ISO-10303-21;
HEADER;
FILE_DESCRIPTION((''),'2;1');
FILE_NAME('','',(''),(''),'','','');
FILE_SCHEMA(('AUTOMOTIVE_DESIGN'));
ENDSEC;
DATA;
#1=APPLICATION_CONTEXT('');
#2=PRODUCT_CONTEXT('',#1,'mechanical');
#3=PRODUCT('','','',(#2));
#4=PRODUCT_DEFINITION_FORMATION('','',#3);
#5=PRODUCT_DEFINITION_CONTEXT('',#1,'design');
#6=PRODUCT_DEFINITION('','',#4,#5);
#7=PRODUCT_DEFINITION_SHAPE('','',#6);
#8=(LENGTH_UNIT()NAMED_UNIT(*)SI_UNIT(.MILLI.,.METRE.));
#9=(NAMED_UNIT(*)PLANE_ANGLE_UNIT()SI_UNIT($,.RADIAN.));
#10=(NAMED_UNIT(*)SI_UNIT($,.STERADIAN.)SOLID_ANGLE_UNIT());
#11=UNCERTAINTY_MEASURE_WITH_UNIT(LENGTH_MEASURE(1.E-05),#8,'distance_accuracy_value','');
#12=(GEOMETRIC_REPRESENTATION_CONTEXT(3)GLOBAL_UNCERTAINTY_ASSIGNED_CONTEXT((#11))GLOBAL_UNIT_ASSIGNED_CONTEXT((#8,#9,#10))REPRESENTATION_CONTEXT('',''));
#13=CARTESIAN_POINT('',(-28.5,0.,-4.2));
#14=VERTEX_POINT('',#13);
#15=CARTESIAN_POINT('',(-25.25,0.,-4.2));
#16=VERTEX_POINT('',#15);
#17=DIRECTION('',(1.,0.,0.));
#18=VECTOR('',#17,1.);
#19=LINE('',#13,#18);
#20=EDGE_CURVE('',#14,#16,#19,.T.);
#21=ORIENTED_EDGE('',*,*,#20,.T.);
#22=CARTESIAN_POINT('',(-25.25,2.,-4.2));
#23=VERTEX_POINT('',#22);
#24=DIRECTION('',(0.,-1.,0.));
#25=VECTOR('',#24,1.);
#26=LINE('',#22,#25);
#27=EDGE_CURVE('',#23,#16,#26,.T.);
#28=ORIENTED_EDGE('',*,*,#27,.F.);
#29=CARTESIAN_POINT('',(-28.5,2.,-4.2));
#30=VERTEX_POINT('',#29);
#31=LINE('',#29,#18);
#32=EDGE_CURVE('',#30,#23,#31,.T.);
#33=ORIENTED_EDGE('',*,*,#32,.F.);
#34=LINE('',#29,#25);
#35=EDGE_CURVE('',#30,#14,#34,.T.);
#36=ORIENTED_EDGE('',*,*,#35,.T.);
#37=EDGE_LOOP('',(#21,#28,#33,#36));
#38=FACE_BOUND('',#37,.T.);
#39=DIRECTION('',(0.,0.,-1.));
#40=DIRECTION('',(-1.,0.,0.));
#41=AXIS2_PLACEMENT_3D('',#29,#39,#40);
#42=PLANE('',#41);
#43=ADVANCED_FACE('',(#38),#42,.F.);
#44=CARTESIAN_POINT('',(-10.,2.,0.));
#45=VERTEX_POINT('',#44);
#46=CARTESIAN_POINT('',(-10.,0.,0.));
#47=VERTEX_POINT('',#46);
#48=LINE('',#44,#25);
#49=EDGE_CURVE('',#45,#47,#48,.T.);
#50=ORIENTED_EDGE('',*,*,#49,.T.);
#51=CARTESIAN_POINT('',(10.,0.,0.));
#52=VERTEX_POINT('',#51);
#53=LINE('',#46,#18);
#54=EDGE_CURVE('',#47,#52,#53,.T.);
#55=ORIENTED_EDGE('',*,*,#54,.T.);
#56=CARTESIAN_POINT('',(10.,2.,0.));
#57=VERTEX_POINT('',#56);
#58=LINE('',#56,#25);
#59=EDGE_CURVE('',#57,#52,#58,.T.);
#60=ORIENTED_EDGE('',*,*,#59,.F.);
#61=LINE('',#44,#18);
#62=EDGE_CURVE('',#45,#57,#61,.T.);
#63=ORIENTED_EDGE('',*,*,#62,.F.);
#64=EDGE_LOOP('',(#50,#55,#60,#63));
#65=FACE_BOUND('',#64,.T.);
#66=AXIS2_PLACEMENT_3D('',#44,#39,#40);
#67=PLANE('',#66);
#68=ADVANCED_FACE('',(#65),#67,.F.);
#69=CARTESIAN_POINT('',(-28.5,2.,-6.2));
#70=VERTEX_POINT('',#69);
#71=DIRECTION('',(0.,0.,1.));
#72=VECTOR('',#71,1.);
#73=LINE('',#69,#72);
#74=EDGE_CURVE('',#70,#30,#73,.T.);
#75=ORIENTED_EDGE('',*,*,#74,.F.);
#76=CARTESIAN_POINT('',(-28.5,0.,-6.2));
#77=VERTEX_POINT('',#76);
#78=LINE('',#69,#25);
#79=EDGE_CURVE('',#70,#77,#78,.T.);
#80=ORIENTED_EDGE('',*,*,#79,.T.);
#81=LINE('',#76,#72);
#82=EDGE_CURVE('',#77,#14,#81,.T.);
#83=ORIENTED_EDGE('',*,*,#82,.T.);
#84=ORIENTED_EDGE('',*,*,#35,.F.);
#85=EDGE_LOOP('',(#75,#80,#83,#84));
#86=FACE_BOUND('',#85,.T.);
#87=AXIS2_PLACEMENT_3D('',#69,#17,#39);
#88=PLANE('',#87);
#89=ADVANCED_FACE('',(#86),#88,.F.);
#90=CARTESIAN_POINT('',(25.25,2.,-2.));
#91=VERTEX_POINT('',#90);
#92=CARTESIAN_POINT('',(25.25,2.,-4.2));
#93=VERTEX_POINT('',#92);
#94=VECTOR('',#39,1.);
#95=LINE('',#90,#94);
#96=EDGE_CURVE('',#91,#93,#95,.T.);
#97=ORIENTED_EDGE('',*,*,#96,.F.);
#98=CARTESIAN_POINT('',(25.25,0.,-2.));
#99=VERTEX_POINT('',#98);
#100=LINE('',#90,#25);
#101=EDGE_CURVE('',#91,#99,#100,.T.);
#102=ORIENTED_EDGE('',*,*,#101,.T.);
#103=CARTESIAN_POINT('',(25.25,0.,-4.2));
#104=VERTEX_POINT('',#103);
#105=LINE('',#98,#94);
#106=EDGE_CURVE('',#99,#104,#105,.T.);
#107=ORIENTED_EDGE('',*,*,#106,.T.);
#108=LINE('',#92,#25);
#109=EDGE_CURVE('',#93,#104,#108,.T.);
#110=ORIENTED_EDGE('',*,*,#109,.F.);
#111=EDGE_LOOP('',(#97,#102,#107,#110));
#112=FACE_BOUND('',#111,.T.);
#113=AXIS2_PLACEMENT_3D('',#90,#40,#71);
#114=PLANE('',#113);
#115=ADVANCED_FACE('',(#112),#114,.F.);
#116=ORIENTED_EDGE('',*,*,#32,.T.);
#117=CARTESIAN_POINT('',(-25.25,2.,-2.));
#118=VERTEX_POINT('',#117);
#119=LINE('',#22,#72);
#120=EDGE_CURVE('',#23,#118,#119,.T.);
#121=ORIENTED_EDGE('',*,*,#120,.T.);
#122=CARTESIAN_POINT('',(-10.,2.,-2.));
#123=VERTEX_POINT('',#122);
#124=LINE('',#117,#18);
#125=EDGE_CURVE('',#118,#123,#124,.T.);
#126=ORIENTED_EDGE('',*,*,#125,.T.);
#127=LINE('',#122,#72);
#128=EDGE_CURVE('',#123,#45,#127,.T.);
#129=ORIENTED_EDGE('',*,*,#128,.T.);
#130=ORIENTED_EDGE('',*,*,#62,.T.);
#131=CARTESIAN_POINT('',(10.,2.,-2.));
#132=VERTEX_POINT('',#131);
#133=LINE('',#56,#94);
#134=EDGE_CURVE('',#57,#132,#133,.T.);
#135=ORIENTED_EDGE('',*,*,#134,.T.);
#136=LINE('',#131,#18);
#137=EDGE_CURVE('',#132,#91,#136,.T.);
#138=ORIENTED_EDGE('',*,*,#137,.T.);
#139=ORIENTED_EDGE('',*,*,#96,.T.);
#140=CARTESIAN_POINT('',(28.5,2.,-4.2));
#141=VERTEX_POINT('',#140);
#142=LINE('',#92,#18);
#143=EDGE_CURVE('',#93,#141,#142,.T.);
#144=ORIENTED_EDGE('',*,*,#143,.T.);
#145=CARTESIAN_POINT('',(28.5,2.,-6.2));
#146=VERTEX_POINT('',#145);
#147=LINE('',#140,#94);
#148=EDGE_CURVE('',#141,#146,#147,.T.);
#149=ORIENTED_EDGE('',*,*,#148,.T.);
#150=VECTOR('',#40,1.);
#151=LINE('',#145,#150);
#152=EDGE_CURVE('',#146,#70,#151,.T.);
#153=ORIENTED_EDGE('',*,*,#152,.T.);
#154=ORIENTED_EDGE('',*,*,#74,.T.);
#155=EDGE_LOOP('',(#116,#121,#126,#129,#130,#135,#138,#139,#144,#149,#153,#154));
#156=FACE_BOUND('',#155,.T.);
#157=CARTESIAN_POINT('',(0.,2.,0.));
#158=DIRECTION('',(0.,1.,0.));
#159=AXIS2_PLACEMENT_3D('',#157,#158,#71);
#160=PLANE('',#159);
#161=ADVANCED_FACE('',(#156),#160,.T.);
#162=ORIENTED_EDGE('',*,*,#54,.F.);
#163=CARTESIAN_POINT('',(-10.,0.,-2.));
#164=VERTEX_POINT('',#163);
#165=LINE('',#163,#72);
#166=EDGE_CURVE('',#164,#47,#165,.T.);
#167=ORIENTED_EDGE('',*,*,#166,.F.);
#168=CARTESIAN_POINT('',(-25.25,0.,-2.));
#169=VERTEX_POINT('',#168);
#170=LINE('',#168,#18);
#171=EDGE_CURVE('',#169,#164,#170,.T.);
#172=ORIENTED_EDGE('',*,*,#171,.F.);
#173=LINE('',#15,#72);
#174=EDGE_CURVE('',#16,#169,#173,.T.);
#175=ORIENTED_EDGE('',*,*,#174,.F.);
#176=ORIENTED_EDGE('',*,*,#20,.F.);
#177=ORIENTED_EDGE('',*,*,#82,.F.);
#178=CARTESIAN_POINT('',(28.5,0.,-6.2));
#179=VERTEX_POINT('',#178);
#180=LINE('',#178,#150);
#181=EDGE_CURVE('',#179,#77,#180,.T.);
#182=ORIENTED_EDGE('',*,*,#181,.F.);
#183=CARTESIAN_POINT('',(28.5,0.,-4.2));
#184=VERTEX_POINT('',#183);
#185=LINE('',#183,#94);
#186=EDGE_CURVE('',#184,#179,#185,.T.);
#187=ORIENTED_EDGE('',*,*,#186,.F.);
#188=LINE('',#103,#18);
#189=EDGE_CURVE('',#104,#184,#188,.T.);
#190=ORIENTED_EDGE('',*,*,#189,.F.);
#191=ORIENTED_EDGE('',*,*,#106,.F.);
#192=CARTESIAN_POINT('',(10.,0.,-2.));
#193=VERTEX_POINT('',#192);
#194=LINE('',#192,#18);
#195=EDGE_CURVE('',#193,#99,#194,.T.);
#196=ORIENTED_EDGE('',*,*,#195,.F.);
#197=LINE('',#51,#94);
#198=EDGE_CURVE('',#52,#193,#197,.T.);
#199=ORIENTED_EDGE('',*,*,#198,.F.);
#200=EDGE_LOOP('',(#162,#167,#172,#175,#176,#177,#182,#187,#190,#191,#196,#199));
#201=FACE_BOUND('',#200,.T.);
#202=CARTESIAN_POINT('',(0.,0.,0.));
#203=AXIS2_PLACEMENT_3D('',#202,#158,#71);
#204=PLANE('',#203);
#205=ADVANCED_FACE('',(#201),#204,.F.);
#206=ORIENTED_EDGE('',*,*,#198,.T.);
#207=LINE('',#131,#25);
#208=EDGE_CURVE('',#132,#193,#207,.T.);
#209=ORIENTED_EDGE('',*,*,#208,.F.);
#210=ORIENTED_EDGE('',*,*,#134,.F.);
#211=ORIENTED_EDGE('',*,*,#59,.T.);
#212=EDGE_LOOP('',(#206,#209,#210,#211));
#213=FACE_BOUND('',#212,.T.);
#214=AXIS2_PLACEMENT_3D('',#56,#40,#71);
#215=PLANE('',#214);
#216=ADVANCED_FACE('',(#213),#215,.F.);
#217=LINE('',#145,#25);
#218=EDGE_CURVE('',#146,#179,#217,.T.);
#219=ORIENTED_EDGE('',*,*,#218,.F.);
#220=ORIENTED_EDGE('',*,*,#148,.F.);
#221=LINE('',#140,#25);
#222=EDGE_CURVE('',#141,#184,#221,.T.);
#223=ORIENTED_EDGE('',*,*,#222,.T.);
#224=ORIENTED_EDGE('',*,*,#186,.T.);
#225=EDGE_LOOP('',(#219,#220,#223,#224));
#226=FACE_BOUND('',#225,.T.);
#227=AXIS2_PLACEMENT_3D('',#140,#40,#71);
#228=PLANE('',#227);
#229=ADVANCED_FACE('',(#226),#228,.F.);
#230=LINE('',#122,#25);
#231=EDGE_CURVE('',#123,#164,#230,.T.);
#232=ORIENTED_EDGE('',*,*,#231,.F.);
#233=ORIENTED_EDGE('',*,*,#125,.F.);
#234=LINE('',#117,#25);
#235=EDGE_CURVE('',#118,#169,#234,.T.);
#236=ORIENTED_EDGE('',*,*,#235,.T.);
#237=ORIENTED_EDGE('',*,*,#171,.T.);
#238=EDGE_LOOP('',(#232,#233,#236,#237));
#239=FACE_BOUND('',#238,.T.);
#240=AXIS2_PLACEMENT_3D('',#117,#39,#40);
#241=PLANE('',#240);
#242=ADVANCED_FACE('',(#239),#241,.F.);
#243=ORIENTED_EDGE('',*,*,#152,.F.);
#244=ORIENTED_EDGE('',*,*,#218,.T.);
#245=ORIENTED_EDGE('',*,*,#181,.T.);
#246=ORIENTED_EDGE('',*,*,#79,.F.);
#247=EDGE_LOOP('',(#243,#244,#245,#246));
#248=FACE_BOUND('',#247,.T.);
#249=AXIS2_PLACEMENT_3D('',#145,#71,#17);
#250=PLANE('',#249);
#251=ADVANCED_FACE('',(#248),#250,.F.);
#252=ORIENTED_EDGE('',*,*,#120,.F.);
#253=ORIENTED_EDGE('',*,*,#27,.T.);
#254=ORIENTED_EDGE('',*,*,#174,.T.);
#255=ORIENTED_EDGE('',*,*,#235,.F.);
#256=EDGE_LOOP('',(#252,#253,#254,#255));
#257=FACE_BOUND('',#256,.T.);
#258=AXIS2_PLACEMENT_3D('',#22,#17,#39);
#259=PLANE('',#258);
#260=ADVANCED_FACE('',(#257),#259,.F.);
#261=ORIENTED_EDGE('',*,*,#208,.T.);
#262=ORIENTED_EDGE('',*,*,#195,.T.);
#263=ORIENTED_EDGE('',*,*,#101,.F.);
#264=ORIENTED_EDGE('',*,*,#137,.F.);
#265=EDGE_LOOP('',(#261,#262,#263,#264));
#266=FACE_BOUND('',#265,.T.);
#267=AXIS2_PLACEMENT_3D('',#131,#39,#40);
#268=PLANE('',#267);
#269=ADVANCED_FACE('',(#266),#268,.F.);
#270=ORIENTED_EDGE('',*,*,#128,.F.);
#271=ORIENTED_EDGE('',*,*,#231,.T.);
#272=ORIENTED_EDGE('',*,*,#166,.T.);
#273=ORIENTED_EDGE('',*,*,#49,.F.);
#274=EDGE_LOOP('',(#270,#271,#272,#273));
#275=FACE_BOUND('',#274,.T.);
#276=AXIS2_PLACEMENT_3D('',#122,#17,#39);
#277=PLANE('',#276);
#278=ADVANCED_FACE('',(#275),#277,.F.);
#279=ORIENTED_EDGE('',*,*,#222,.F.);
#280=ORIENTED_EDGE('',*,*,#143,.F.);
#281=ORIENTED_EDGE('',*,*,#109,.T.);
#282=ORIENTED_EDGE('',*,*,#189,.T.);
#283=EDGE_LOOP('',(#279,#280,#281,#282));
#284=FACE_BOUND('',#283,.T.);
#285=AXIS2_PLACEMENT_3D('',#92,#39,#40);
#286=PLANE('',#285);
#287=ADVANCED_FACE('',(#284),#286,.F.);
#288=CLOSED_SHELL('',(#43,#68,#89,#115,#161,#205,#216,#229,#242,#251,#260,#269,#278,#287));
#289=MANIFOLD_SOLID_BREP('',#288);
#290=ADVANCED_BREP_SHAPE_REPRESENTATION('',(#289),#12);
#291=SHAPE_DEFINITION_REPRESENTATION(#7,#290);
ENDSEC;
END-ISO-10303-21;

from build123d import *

# Parameters (mm, degrees)
BOSS_EXTRUDE1_DEPTH = 2


with BuildPart() as part:
    # Sketch1 → Boss-Extrude1 (new body)
    with BuildSketch(Plane(origin=(0, 0, 0), x_dir=(1, 0, 0), z_dir=(0, 1, 0))):
        Polygon((-25.25, 2), (-10, 2), (-10, 0), (10, 0), (10, 2), (25.25, 2), (25.25, 4.2), (28.5, 4.2), (28.5, 6.2), (-28.5, 6.2), (-28.5, 4.2), (-25.25, 4.2), align=None)
    extrude(amount=BOSS_EXTRUDE1_DEPTH)


solid = part.part
